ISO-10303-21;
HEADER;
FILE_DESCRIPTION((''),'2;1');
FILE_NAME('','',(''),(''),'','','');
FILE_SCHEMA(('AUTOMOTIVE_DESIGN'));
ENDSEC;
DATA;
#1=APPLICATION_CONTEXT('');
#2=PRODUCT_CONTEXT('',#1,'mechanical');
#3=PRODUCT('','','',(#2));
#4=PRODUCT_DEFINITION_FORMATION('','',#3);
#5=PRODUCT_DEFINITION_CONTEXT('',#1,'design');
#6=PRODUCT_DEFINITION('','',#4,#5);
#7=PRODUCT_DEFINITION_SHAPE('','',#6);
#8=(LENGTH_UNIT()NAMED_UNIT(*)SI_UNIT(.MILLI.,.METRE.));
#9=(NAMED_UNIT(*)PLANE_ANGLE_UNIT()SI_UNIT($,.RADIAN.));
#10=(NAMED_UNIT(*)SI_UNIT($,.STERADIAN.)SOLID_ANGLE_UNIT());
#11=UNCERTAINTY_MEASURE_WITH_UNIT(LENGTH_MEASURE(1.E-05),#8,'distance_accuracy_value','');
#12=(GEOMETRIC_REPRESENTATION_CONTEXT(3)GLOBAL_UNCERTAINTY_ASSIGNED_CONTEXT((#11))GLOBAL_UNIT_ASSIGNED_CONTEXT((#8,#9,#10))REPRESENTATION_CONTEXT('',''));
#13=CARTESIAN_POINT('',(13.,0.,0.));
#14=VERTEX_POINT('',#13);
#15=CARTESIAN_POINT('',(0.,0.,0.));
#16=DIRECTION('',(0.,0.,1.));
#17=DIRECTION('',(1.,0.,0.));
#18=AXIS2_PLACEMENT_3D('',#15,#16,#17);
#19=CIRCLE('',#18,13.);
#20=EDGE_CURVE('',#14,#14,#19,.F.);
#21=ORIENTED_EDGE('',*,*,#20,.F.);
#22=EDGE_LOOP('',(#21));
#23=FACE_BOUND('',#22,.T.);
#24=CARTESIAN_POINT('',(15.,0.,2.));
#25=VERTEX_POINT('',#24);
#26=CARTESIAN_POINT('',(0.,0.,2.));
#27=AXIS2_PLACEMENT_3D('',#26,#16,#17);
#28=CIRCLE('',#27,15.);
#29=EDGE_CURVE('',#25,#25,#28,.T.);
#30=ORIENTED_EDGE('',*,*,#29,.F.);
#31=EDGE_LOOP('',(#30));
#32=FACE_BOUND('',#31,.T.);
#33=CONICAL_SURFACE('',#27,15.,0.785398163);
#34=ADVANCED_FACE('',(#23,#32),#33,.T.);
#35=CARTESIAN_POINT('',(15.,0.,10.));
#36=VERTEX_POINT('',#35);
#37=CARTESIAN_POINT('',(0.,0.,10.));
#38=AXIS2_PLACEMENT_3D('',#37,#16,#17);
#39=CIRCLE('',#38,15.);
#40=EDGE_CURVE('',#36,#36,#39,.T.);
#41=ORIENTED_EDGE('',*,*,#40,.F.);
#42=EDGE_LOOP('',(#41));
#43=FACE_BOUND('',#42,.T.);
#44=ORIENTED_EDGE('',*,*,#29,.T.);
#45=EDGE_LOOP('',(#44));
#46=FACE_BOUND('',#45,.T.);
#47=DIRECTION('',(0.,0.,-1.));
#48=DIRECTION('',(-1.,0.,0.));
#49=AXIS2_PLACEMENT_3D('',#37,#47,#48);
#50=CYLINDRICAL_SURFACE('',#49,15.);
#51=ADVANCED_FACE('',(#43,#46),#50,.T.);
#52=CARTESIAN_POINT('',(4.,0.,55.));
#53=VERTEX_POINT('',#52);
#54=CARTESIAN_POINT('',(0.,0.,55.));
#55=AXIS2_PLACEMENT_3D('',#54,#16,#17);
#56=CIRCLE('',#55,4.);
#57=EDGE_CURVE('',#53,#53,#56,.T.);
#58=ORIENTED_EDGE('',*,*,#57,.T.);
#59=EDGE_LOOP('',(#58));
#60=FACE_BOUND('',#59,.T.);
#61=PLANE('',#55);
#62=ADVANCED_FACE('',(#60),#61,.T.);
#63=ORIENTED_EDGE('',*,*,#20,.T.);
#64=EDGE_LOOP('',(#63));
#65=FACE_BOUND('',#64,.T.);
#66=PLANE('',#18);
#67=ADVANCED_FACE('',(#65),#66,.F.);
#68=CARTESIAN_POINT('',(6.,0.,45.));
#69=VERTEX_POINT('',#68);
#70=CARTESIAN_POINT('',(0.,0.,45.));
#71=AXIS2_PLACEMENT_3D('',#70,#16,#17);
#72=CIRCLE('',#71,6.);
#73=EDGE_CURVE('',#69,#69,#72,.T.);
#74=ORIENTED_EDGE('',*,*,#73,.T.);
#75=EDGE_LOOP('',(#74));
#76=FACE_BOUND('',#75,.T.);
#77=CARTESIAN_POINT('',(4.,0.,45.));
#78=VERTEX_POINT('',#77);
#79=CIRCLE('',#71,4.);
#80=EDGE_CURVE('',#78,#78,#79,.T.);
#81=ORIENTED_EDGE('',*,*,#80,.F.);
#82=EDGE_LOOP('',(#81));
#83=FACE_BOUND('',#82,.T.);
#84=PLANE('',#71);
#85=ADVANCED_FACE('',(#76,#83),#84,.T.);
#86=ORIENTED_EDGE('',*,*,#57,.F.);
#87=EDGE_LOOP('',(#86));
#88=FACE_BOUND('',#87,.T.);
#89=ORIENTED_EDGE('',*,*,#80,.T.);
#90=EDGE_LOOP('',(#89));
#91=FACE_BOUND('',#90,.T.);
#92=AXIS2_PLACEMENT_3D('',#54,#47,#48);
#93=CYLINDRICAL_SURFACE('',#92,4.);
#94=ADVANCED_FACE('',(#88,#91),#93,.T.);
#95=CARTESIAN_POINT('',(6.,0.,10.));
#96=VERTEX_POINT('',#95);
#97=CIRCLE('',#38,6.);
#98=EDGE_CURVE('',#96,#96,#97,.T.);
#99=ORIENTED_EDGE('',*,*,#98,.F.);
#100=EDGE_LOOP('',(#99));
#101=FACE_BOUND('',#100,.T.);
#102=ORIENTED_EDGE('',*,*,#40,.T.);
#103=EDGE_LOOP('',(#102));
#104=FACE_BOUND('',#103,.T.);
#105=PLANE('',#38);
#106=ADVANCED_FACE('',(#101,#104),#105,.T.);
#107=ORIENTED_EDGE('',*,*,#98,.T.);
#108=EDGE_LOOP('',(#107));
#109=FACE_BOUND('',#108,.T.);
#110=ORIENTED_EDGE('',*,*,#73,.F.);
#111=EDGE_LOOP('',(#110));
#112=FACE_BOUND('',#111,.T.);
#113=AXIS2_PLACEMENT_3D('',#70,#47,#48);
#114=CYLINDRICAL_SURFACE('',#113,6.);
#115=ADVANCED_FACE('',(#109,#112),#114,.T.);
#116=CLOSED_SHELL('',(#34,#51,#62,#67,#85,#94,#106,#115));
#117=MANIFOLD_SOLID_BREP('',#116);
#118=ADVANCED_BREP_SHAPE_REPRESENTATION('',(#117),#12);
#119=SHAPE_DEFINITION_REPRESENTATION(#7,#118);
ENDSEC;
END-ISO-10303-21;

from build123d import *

# Parameters (mm, degrees)
ESBO_O1_R                = 15
RESSALTO_EXTRUS_O1_DEPTH = 10
ESBO_O2_R                = 6
RESSALTO_EXTRUS_O2_DEPTH = 35
ESBO_O3_R                = 4
RESSALTO_EXTRUS_O3_DEPTH = 10
CHANFRO1_SIZE            = 2


with BuildPart() as part:
    # Esboço1 → Ressalto-extrusão1 (new body)
    with BuildSketch(Plane.XY):
        Circle(ESBO_O1_R)
    extrude(amount=RESSALTO_EXTRUS_O1_DEPTH)

    # Esboço2 → Ressalto-extrusão2 (add)
    with BuildSketch(Plane.XY.offset(10)):
        Circle(ESBO_O2_R)
    extrude(amount=RESSALTO_EXTRUS_O2_DEPTH)

    # Esboço3 → Ressalto-extrusão3 (add)
    with BuildSketch(Plane.XY.offset(45)):
        Circle(ESBO_O3_R)
    extrude(amount=RESSALTO_EXTRUS_O3_DEPTH)

    # Chanfro1
    chanfro1_edges = [part.edges().sort_by_distance(p)[0] for p in [
        (-15, 0, 0),
    ]]
    chamfer(chanfro1_edges, length=CHANFRO1_SIZE)


solid = part.part
